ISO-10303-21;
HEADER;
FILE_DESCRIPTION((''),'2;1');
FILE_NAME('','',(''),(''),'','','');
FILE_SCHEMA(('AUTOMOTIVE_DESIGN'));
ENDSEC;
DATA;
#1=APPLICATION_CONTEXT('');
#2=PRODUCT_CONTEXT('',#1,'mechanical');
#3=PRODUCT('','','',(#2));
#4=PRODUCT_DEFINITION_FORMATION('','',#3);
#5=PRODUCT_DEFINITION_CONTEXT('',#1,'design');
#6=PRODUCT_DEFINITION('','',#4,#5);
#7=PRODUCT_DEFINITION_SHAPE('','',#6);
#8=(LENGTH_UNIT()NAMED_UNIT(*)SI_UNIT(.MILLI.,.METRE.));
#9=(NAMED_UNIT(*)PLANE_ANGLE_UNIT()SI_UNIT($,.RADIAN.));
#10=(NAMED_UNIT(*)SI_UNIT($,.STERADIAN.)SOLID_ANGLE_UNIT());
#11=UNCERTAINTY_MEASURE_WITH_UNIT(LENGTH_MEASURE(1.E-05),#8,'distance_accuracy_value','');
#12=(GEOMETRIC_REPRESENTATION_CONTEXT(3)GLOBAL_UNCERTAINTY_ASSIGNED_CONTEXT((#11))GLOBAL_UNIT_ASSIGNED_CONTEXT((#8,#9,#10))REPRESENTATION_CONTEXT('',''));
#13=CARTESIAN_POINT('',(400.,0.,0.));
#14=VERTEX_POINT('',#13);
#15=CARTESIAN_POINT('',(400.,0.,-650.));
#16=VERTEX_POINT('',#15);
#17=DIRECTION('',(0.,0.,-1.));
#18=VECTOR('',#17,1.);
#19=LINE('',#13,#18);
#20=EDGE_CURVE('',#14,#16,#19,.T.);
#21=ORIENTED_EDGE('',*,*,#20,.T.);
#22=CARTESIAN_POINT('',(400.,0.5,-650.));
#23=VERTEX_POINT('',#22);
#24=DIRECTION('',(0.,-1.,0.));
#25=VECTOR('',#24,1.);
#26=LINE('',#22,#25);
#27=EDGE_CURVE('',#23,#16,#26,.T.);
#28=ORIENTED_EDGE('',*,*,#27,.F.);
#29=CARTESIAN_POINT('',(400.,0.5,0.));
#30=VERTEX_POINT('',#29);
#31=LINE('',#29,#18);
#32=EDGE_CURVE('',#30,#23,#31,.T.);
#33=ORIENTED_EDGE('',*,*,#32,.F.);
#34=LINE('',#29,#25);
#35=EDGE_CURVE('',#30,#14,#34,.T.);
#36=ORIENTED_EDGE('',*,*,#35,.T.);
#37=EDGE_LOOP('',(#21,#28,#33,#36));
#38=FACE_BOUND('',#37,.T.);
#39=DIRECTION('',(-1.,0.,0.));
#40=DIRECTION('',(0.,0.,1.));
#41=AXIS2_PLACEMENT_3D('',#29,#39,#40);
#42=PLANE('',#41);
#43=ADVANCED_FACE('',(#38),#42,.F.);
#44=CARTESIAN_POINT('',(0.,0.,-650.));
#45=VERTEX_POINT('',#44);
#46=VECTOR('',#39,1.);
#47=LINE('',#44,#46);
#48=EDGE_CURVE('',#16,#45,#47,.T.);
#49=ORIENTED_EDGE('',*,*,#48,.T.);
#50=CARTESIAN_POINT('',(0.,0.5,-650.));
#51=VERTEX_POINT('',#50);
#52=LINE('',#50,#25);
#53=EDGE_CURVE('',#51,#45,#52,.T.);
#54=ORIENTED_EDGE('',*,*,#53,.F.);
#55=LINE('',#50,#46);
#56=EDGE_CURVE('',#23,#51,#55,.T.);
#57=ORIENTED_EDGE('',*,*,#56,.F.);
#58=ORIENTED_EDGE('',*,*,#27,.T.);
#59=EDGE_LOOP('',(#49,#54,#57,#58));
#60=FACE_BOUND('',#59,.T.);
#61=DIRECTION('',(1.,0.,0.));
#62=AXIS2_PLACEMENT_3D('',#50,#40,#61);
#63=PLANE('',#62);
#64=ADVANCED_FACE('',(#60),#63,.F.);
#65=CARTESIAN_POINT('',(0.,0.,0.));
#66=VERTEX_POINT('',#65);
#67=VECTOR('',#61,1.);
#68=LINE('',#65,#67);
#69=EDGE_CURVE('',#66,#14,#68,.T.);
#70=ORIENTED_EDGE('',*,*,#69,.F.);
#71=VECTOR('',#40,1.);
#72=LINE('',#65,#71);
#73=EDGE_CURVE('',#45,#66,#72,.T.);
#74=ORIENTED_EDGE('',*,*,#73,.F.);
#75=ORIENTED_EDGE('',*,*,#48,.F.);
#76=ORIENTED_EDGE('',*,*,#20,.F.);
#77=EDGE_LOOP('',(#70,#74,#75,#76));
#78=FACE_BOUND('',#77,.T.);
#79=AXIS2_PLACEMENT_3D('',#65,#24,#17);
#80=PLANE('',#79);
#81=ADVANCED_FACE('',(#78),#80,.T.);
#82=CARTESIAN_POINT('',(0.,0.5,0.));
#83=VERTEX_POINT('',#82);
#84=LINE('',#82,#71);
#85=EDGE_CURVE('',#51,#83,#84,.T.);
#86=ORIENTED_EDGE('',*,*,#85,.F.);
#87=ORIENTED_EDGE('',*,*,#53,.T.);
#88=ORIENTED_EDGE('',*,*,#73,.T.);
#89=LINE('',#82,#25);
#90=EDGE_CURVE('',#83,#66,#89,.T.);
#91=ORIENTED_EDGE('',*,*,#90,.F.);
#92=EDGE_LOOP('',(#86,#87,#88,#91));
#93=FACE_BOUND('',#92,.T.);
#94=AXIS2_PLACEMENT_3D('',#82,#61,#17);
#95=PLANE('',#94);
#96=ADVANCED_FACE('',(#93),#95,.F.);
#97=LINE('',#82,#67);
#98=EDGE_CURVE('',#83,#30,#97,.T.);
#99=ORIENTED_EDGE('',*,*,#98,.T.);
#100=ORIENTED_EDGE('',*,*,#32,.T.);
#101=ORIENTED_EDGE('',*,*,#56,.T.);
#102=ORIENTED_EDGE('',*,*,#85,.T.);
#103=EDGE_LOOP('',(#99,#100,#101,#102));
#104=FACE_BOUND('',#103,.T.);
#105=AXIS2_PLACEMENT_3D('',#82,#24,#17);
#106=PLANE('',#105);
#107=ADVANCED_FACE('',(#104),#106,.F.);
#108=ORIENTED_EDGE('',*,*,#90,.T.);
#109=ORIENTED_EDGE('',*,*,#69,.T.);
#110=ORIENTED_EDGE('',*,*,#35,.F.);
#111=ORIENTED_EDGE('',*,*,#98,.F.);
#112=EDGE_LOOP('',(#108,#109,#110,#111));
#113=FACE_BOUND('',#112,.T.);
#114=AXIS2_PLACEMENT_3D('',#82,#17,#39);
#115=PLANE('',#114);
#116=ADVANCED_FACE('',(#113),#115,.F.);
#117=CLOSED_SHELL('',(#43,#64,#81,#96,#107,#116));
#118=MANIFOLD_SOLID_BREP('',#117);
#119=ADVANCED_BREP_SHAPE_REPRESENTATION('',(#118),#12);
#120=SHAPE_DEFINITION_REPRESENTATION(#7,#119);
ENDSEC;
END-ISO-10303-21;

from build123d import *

# Parameters (mm, degrees)
SKETCH_1_W      = 400
SKETCH_1_H      = 650
EXTRUDE_1_DEPTH = 0.5


with BuildPart() as part:
    # 草图1 → 凸台-拉伸1 (new body)
    with BuildSketch(Plane(origin=(0, 0, 0), x_dir=(1, 0, 0), z_dir=(0, 1, 0))):
        with Locations((200, 325)):
            Rectangle(SKETCH_1_W, SKETCH_1_H)
    extrude(amount=EXTRUDE_1_DEPTH)


solid = part.part
